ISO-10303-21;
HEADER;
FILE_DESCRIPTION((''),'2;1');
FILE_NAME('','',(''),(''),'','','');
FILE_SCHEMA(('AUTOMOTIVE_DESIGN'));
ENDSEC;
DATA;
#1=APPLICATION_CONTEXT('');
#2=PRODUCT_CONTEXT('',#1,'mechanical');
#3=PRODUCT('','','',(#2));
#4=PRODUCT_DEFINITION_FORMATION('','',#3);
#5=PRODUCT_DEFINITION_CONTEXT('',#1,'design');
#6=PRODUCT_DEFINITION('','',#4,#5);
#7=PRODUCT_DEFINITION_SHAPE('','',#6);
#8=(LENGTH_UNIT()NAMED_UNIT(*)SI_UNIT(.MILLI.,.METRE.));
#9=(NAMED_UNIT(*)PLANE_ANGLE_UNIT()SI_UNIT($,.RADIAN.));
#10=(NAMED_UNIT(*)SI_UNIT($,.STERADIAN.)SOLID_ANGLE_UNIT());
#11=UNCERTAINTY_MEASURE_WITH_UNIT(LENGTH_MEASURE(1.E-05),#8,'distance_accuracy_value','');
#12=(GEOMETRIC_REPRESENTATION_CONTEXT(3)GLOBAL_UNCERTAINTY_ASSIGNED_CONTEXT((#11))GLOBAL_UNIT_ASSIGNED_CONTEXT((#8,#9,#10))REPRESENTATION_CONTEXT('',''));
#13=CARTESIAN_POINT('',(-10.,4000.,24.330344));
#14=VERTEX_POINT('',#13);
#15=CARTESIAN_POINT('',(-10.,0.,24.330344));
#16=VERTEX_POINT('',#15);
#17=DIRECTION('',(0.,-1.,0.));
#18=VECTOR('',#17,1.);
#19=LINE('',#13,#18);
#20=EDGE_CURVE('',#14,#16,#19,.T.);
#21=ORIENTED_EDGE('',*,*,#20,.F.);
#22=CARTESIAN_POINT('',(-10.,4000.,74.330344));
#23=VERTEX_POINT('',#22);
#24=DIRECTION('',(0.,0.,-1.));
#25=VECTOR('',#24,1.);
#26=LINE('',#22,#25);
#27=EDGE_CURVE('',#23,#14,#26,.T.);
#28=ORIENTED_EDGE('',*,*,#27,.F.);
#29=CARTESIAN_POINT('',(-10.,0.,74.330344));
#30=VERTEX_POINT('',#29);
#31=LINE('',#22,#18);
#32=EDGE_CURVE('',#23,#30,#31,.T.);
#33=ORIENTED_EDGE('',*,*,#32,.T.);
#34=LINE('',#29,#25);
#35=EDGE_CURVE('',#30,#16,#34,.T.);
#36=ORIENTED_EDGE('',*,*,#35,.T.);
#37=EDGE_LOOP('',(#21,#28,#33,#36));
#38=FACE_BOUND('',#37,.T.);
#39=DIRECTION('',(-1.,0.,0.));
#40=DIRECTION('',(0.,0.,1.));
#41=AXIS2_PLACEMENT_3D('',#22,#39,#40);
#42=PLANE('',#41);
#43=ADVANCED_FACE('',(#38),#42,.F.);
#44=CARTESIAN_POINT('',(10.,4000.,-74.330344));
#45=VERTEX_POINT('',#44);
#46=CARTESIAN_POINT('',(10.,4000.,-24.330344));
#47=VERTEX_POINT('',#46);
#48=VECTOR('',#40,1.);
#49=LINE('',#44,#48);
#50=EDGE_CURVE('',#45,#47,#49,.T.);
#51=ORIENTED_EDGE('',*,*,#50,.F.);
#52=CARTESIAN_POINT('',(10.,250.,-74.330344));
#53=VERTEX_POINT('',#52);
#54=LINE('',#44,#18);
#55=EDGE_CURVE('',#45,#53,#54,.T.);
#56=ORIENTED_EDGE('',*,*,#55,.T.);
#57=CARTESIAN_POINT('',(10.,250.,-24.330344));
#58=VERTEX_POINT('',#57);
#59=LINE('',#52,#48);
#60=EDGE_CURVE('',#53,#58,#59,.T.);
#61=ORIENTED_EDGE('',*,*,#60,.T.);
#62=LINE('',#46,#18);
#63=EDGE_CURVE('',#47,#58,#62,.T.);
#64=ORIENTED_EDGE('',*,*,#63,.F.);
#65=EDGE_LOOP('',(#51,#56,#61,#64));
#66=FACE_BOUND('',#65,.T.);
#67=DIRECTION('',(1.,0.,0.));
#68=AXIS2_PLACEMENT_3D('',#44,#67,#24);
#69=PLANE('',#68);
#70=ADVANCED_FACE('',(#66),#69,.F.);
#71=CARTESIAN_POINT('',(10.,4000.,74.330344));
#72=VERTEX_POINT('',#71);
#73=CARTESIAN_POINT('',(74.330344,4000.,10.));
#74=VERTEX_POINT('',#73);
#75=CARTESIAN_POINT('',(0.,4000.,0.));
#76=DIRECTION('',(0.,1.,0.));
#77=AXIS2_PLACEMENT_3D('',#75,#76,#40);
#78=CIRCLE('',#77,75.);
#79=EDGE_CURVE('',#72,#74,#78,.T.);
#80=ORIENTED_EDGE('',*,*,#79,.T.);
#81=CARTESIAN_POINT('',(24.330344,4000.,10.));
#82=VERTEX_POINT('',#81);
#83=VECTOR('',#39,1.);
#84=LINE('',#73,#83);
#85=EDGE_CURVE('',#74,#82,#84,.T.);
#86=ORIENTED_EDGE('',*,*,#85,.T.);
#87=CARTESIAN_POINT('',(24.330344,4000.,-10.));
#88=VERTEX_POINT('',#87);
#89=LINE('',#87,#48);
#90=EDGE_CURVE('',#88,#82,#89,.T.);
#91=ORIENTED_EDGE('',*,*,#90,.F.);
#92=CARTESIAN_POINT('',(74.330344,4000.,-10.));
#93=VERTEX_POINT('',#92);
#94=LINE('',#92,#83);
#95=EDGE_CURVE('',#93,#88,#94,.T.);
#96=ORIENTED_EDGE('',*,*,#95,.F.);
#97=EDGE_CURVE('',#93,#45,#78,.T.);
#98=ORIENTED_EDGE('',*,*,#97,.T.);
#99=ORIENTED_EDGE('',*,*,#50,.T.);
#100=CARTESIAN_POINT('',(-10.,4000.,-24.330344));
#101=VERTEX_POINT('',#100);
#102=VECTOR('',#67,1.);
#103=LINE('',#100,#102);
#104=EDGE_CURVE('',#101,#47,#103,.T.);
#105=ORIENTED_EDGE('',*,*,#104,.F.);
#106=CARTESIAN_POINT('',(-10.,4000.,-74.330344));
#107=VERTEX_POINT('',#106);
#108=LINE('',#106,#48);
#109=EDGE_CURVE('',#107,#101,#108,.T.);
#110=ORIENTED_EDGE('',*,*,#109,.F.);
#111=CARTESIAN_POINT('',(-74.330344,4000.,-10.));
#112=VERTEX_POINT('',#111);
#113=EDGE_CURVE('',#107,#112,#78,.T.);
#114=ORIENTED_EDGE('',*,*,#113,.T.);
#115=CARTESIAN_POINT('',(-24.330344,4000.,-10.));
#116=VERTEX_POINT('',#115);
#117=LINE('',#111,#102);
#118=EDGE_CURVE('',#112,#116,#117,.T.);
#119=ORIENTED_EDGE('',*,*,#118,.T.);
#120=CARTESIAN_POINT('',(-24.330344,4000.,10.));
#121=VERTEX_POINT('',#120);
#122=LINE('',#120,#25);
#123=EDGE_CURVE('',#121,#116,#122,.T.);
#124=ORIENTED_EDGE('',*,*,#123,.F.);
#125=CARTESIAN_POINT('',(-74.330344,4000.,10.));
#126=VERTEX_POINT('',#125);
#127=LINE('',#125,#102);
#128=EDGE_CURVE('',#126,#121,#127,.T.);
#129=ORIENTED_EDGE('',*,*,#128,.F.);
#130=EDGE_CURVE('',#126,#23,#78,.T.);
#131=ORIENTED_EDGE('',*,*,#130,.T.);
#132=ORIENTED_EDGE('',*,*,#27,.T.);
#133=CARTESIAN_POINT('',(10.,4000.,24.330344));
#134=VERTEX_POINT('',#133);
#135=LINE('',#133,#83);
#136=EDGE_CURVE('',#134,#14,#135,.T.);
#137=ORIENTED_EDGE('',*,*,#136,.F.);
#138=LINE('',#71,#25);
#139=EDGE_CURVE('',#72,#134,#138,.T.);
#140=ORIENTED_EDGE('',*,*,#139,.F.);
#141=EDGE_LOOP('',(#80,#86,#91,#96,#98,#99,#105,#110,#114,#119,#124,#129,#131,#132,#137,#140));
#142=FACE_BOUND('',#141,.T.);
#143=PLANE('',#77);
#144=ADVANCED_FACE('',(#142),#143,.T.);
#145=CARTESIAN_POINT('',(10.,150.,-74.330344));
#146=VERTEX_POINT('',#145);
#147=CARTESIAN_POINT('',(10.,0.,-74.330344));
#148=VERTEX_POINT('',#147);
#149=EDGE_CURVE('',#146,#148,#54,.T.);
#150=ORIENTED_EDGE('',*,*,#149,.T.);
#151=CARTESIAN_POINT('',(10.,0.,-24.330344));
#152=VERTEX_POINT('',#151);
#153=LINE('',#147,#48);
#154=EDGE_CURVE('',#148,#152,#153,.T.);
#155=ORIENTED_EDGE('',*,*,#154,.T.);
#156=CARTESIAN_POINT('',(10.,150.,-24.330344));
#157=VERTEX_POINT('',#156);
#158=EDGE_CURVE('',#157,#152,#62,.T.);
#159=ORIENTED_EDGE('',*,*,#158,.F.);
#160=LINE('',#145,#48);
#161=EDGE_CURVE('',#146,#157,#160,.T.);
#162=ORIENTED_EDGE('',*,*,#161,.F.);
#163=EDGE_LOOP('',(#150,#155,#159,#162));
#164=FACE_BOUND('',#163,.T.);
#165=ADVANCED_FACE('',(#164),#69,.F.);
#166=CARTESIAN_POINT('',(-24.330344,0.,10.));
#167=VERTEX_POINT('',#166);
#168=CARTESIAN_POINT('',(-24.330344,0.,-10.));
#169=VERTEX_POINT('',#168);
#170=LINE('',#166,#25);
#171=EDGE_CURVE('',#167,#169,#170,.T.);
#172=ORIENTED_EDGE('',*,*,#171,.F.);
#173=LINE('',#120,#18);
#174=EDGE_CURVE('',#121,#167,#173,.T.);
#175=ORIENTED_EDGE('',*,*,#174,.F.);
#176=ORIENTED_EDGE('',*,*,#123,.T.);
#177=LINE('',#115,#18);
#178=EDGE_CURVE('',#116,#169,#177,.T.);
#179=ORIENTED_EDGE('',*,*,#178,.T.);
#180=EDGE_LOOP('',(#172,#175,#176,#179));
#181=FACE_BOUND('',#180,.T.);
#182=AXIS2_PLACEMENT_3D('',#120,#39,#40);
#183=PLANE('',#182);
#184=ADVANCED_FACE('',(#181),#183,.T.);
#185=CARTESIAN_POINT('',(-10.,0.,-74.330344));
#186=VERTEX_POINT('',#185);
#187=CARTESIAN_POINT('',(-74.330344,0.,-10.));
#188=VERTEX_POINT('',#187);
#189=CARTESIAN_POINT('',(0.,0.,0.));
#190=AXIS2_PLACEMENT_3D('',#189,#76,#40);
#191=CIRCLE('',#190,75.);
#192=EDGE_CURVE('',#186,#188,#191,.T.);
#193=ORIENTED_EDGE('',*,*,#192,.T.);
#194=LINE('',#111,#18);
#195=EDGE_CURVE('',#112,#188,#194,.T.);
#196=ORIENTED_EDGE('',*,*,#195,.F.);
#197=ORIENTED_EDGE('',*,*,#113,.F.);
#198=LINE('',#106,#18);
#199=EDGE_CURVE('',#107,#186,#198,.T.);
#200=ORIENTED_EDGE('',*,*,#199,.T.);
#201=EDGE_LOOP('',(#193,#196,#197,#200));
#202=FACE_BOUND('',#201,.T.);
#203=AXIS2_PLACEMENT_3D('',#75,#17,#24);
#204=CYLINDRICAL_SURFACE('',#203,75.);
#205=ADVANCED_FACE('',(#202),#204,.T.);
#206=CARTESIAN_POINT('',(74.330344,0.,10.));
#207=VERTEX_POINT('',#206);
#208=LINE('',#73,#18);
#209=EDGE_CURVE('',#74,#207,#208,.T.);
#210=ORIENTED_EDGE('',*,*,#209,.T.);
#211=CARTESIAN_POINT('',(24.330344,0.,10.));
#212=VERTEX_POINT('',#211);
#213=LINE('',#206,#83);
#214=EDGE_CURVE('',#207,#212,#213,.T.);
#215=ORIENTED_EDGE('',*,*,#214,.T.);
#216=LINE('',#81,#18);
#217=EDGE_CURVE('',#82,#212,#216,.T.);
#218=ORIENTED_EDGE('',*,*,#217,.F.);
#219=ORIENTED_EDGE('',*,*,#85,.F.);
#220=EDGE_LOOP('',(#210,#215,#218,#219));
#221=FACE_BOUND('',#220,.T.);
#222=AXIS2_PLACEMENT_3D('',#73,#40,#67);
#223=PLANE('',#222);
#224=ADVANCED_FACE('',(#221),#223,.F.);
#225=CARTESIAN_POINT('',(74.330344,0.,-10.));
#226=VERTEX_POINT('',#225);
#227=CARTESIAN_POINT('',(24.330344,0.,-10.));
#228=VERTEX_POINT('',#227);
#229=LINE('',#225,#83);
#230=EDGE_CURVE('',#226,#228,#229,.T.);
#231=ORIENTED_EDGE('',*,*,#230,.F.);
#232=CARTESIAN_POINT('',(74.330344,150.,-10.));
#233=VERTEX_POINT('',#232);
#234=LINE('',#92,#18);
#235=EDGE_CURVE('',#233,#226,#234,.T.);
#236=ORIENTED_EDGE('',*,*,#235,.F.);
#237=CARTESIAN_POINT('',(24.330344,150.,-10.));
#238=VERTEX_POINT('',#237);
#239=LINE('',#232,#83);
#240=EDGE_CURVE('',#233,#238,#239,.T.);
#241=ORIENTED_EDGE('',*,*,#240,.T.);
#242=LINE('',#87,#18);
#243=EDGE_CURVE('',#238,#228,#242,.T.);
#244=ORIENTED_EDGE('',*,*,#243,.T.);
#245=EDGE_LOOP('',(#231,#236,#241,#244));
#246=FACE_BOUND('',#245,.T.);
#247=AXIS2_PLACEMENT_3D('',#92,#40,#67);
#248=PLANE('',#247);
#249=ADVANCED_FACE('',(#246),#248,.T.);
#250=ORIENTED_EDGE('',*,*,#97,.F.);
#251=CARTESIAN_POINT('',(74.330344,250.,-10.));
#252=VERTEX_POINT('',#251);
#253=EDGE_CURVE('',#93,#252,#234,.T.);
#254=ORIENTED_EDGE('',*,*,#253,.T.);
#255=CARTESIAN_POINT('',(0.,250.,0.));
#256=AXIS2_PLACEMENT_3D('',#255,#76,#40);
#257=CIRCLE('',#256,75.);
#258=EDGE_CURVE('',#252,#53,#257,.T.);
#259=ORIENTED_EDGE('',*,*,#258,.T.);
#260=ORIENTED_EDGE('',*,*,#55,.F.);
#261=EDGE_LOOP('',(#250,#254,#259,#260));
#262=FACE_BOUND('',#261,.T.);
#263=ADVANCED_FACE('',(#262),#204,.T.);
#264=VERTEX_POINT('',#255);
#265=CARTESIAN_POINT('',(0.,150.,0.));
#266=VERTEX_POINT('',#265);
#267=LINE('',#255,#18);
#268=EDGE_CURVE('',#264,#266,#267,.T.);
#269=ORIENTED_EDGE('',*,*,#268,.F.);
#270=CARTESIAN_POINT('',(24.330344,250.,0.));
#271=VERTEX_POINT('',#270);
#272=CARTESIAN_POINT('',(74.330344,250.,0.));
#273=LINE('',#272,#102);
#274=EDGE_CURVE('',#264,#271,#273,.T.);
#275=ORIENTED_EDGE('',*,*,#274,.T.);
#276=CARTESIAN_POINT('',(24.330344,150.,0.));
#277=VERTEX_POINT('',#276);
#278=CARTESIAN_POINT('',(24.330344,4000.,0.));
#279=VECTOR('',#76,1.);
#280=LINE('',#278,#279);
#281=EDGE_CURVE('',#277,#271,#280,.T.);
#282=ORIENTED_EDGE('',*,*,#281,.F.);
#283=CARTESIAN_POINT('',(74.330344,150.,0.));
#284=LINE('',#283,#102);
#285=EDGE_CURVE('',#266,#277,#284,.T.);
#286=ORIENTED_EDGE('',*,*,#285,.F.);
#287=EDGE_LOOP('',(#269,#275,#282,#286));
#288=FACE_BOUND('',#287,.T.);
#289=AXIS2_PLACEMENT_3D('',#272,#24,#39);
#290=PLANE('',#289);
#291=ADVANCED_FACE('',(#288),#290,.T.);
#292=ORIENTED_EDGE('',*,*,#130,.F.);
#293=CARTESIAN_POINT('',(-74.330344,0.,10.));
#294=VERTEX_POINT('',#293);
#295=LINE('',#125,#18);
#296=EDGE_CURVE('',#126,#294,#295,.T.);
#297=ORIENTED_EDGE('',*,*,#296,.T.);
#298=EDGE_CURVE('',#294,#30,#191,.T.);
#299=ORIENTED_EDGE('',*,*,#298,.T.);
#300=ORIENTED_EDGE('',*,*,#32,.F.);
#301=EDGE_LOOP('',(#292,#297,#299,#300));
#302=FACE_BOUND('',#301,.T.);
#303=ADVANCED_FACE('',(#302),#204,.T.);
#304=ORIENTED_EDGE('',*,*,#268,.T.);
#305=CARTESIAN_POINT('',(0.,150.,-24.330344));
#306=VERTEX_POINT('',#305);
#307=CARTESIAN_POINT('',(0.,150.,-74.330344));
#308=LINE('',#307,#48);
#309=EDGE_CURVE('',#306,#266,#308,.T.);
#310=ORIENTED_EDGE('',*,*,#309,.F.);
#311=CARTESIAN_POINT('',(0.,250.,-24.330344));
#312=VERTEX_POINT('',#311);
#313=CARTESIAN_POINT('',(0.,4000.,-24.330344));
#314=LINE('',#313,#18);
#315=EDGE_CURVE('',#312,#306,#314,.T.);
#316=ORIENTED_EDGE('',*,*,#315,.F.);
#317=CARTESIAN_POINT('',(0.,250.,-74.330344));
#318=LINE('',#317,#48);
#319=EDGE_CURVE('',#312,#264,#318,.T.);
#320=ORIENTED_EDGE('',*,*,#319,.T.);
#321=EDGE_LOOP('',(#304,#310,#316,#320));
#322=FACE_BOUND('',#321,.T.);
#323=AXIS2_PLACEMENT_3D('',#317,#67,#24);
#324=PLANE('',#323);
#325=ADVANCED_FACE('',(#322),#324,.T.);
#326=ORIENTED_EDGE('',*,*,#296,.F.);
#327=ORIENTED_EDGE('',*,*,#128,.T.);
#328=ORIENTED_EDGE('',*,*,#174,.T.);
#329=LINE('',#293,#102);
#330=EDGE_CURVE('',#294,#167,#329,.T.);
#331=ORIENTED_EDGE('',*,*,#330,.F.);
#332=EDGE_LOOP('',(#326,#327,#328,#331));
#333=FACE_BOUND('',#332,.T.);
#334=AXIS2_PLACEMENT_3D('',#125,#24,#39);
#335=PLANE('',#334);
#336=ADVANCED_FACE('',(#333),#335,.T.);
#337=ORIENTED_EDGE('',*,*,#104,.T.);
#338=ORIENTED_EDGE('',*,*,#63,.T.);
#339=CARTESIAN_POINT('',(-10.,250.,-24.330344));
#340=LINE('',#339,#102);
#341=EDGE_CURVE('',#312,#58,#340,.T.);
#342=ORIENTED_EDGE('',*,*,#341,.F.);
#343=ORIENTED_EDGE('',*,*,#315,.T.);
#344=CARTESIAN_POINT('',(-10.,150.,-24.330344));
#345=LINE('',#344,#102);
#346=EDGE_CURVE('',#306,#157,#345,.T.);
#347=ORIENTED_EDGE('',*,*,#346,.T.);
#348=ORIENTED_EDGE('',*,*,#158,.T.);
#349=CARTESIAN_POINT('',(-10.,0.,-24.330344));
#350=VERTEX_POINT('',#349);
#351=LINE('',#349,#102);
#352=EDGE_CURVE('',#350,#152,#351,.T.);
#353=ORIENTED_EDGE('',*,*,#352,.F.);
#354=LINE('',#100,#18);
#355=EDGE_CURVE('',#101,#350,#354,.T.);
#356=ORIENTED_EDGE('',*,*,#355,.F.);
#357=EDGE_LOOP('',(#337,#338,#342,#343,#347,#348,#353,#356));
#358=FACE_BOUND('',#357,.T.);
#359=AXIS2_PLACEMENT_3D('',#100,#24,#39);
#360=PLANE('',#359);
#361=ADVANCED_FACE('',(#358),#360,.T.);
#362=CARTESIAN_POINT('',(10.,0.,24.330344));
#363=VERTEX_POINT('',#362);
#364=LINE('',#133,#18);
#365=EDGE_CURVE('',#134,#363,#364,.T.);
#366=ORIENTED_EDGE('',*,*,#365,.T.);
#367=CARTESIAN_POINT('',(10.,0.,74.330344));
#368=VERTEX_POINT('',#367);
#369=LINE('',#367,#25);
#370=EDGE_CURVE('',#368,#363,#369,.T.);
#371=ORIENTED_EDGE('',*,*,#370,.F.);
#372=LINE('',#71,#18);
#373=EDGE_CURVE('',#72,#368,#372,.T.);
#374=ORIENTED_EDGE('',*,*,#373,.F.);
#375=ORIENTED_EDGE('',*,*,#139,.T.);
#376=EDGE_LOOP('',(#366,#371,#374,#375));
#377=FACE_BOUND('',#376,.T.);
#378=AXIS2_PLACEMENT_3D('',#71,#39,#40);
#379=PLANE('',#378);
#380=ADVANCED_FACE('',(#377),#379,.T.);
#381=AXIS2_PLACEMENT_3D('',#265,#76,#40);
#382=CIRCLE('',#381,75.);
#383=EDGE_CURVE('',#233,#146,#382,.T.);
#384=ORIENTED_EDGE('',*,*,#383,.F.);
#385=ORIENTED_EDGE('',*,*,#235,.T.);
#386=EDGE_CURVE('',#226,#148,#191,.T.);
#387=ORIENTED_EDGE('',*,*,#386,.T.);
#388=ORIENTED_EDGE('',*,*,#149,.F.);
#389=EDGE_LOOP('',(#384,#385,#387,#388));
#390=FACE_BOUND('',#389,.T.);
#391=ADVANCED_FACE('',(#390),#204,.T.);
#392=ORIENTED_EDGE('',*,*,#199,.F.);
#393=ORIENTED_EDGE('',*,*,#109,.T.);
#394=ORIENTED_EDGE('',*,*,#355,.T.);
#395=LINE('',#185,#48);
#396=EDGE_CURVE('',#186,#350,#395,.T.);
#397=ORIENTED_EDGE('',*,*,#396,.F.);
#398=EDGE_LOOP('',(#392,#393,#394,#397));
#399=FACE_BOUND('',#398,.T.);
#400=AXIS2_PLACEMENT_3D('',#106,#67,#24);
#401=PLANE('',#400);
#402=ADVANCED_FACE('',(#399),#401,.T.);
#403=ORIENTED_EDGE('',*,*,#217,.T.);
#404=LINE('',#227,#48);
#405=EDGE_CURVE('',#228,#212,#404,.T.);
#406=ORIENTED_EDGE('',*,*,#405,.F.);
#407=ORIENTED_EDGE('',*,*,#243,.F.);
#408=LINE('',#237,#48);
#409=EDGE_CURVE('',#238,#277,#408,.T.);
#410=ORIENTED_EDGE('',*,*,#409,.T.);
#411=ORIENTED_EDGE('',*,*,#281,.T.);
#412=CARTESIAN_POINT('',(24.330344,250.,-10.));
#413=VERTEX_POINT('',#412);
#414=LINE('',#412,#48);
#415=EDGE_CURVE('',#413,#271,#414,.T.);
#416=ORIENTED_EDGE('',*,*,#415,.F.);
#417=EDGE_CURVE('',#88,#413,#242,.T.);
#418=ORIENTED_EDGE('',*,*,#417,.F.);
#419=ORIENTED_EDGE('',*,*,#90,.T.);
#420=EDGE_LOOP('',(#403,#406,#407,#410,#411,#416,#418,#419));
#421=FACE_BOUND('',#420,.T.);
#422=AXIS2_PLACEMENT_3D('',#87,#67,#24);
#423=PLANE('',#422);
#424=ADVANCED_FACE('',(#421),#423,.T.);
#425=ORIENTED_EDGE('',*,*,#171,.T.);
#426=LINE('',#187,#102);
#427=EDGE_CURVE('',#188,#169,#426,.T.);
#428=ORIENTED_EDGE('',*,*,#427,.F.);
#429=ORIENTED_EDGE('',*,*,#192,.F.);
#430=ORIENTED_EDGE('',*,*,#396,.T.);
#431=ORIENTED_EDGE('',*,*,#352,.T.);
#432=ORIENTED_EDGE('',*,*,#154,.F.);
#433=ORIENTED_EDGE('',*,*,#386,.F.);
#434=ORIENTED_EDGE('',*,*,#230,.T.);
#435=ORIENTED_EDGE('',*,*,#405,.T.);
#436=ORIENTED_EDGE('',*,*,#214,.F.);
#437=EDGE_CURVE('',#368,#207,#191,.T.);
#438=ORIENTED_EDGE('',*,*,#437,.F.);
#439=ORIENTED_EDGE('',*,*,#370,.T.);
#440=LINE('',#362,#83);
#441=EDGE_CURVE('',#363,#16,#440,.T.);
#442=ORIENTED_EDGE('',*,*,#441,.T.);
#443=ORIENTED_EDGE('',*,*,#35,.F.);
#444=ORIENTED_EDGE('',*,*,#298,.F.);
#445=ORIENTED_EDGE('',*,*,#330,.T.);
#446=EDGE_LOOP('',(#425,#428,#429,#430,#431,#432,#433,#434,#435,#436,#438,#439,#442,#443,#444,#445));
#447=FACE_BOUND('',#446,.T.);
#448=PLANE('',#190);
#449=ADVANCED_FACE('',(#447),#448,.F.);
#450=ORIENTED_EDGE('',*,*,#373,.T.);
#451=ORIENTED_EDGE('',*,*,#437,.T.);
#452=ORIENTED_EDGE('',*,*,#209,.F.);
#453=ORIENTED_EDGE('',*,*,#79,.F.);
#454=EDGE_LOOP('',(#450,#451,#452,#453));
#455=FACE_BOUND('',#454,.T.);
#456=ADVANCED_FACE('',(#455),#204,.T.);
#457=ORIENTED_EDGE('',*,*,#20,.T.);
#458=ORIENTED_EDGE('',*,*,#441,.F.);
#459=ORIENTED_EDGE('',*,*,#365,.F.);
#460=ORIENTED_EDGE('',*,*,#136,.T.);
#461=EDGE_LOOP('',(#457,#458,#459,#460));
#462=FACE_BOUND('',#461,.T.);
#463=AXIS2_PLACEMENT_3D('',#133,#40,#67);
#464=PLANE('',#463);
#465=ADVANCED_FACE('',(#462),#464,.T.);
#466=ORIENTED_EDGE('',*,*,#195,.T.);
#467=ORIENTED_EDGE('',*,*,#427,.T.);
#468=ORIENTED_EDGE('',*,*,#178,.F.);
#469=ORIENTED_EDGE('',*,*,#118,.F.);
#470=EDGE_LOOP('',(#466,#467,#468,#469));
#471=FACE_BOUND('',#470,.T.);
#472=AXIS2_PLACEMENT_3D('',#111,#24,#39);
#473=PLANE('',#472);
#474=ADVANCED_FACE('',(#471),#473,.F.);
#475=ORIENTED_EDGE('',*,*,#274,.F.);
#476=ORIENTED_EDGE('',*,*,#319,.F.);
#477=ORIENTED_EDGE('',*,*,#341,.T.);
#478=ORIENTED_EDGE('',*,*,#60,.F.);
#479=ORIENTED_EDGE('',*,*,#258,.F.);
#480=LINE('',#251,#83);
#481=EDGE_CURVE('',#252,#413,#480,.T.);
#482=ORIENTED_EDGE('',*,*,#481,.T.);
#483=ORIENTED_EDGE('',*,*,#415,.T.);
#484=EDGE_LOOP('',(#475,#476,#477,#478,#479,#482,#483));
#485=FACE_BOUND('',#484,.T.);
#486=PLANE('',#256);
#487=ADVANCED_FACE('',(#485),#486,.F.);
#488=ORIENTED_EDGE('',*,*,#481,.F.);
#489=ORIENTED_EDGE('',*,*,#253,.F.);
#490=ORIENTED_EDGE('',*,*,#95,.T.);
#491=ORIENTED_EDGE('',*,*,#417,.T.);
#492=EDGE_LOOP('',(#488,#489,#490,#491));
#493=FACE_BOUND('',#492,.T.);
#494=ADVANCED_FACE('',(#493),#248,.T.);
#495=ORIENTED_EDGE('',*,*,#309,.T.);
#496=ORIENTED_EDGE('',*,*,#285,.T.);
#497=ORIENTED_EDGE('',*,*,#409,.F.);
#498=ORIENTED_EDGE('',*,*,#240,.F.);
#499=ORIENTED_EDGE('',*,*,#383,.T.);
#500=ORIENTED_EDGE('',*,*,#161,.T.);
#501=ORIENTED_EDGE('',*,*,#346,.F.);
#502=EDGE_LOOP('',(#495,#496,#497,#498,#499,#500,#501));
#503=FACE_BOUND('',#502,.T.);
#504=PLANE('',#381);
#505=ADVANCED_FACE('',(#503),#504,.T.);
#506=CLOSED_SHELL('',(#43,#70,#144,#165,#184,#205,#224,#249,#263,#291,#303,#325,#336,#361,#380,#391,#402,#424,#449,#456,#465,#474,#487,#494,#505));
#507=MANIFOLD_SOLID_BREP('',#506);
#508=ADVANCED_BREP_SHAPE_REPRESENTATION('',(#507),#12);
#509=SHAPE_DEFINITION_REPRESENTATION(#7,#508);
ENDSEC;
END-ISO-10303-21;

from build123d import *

# Parameters (mm, degrees)
BOSS_EXTRUDE2_DEPTH = 4000
CUT_EXTRUDE1_START  = 200
SKETCH2_W           = 74.330343737
SKETCH2_H           = 74.330343737
CUT_EXTRUDE1_DEPTH  = 50


with BuildPart() as part:
    # Sketch1 → Boss-Extrude2 (new body)
    with BuildSketch(Plane(origin=(0, 0, 0), x_dir=(1, 0, 0), z_dir=(0, 1, 0))):
        with BuildLine():
            Line((-10, 74.330343737), (-10, 24.330343737))
            Line((-10, 24.330343737), (10, 24.330343737))
            Line((10, 24.330343737), (10, 74.330343737))
            ThreePointArc((10, 74.330343737), (53.033008589, 53.033008589), (74.330343737, 10))
            Line((74.330343737, 10), (24.330343737, 10))
            Line((24.330343737, 10), (24.330343737, -10))
            Line((24.330343737, -10), (74.330343737, -10))
            ThreePointArc((74.330343737, -10), (53.033008589, -53.033008589), (10, -74.330343737))
            Line((10, -74.330343737), (10, -24.330343737))
            Line((10, -24.330343737), (-10, -24.330343737))
            Line((-10, -24.330343737), (-10, -74.330343737))
            ThreePointArc((-10, -74.330343737), (-53.033008589, -53.033008589), (-74.330343737, -10))
            Line((-74.330343737, -10), (-24.330343737, -10))
            Line((-24.330343737, -10), (-24.330343737, 10))
            Line((-24.330343737, 10), (-74.330343737, 10))
            ThreePointArc((-74.330343737, 10), (-53.033008589, 53.033008589), (-10, 74.330343737))
        make_face()
    extrude(amount=BOSS_EXTRUDE2_DEPTH)

    # Sketch2 → Cut-Extrude1 (cut, symmetric)
    with BuildSketch(Plane(origin=(0, 0, 0), x_dir=(1, 0, 0), z_dir=(0, 1, 0)).offset(CUT_EXTRUDE1_START)):
        with Locations((37.165171869, 37.165171869)):
            Rectangle(SKETCH2_W, SKETCH2_H)
    extrude(amount=CUT_EXTRUDE1_DEPTH, both=True, mode=Mode.SUBTRACT)


solid = part.part
